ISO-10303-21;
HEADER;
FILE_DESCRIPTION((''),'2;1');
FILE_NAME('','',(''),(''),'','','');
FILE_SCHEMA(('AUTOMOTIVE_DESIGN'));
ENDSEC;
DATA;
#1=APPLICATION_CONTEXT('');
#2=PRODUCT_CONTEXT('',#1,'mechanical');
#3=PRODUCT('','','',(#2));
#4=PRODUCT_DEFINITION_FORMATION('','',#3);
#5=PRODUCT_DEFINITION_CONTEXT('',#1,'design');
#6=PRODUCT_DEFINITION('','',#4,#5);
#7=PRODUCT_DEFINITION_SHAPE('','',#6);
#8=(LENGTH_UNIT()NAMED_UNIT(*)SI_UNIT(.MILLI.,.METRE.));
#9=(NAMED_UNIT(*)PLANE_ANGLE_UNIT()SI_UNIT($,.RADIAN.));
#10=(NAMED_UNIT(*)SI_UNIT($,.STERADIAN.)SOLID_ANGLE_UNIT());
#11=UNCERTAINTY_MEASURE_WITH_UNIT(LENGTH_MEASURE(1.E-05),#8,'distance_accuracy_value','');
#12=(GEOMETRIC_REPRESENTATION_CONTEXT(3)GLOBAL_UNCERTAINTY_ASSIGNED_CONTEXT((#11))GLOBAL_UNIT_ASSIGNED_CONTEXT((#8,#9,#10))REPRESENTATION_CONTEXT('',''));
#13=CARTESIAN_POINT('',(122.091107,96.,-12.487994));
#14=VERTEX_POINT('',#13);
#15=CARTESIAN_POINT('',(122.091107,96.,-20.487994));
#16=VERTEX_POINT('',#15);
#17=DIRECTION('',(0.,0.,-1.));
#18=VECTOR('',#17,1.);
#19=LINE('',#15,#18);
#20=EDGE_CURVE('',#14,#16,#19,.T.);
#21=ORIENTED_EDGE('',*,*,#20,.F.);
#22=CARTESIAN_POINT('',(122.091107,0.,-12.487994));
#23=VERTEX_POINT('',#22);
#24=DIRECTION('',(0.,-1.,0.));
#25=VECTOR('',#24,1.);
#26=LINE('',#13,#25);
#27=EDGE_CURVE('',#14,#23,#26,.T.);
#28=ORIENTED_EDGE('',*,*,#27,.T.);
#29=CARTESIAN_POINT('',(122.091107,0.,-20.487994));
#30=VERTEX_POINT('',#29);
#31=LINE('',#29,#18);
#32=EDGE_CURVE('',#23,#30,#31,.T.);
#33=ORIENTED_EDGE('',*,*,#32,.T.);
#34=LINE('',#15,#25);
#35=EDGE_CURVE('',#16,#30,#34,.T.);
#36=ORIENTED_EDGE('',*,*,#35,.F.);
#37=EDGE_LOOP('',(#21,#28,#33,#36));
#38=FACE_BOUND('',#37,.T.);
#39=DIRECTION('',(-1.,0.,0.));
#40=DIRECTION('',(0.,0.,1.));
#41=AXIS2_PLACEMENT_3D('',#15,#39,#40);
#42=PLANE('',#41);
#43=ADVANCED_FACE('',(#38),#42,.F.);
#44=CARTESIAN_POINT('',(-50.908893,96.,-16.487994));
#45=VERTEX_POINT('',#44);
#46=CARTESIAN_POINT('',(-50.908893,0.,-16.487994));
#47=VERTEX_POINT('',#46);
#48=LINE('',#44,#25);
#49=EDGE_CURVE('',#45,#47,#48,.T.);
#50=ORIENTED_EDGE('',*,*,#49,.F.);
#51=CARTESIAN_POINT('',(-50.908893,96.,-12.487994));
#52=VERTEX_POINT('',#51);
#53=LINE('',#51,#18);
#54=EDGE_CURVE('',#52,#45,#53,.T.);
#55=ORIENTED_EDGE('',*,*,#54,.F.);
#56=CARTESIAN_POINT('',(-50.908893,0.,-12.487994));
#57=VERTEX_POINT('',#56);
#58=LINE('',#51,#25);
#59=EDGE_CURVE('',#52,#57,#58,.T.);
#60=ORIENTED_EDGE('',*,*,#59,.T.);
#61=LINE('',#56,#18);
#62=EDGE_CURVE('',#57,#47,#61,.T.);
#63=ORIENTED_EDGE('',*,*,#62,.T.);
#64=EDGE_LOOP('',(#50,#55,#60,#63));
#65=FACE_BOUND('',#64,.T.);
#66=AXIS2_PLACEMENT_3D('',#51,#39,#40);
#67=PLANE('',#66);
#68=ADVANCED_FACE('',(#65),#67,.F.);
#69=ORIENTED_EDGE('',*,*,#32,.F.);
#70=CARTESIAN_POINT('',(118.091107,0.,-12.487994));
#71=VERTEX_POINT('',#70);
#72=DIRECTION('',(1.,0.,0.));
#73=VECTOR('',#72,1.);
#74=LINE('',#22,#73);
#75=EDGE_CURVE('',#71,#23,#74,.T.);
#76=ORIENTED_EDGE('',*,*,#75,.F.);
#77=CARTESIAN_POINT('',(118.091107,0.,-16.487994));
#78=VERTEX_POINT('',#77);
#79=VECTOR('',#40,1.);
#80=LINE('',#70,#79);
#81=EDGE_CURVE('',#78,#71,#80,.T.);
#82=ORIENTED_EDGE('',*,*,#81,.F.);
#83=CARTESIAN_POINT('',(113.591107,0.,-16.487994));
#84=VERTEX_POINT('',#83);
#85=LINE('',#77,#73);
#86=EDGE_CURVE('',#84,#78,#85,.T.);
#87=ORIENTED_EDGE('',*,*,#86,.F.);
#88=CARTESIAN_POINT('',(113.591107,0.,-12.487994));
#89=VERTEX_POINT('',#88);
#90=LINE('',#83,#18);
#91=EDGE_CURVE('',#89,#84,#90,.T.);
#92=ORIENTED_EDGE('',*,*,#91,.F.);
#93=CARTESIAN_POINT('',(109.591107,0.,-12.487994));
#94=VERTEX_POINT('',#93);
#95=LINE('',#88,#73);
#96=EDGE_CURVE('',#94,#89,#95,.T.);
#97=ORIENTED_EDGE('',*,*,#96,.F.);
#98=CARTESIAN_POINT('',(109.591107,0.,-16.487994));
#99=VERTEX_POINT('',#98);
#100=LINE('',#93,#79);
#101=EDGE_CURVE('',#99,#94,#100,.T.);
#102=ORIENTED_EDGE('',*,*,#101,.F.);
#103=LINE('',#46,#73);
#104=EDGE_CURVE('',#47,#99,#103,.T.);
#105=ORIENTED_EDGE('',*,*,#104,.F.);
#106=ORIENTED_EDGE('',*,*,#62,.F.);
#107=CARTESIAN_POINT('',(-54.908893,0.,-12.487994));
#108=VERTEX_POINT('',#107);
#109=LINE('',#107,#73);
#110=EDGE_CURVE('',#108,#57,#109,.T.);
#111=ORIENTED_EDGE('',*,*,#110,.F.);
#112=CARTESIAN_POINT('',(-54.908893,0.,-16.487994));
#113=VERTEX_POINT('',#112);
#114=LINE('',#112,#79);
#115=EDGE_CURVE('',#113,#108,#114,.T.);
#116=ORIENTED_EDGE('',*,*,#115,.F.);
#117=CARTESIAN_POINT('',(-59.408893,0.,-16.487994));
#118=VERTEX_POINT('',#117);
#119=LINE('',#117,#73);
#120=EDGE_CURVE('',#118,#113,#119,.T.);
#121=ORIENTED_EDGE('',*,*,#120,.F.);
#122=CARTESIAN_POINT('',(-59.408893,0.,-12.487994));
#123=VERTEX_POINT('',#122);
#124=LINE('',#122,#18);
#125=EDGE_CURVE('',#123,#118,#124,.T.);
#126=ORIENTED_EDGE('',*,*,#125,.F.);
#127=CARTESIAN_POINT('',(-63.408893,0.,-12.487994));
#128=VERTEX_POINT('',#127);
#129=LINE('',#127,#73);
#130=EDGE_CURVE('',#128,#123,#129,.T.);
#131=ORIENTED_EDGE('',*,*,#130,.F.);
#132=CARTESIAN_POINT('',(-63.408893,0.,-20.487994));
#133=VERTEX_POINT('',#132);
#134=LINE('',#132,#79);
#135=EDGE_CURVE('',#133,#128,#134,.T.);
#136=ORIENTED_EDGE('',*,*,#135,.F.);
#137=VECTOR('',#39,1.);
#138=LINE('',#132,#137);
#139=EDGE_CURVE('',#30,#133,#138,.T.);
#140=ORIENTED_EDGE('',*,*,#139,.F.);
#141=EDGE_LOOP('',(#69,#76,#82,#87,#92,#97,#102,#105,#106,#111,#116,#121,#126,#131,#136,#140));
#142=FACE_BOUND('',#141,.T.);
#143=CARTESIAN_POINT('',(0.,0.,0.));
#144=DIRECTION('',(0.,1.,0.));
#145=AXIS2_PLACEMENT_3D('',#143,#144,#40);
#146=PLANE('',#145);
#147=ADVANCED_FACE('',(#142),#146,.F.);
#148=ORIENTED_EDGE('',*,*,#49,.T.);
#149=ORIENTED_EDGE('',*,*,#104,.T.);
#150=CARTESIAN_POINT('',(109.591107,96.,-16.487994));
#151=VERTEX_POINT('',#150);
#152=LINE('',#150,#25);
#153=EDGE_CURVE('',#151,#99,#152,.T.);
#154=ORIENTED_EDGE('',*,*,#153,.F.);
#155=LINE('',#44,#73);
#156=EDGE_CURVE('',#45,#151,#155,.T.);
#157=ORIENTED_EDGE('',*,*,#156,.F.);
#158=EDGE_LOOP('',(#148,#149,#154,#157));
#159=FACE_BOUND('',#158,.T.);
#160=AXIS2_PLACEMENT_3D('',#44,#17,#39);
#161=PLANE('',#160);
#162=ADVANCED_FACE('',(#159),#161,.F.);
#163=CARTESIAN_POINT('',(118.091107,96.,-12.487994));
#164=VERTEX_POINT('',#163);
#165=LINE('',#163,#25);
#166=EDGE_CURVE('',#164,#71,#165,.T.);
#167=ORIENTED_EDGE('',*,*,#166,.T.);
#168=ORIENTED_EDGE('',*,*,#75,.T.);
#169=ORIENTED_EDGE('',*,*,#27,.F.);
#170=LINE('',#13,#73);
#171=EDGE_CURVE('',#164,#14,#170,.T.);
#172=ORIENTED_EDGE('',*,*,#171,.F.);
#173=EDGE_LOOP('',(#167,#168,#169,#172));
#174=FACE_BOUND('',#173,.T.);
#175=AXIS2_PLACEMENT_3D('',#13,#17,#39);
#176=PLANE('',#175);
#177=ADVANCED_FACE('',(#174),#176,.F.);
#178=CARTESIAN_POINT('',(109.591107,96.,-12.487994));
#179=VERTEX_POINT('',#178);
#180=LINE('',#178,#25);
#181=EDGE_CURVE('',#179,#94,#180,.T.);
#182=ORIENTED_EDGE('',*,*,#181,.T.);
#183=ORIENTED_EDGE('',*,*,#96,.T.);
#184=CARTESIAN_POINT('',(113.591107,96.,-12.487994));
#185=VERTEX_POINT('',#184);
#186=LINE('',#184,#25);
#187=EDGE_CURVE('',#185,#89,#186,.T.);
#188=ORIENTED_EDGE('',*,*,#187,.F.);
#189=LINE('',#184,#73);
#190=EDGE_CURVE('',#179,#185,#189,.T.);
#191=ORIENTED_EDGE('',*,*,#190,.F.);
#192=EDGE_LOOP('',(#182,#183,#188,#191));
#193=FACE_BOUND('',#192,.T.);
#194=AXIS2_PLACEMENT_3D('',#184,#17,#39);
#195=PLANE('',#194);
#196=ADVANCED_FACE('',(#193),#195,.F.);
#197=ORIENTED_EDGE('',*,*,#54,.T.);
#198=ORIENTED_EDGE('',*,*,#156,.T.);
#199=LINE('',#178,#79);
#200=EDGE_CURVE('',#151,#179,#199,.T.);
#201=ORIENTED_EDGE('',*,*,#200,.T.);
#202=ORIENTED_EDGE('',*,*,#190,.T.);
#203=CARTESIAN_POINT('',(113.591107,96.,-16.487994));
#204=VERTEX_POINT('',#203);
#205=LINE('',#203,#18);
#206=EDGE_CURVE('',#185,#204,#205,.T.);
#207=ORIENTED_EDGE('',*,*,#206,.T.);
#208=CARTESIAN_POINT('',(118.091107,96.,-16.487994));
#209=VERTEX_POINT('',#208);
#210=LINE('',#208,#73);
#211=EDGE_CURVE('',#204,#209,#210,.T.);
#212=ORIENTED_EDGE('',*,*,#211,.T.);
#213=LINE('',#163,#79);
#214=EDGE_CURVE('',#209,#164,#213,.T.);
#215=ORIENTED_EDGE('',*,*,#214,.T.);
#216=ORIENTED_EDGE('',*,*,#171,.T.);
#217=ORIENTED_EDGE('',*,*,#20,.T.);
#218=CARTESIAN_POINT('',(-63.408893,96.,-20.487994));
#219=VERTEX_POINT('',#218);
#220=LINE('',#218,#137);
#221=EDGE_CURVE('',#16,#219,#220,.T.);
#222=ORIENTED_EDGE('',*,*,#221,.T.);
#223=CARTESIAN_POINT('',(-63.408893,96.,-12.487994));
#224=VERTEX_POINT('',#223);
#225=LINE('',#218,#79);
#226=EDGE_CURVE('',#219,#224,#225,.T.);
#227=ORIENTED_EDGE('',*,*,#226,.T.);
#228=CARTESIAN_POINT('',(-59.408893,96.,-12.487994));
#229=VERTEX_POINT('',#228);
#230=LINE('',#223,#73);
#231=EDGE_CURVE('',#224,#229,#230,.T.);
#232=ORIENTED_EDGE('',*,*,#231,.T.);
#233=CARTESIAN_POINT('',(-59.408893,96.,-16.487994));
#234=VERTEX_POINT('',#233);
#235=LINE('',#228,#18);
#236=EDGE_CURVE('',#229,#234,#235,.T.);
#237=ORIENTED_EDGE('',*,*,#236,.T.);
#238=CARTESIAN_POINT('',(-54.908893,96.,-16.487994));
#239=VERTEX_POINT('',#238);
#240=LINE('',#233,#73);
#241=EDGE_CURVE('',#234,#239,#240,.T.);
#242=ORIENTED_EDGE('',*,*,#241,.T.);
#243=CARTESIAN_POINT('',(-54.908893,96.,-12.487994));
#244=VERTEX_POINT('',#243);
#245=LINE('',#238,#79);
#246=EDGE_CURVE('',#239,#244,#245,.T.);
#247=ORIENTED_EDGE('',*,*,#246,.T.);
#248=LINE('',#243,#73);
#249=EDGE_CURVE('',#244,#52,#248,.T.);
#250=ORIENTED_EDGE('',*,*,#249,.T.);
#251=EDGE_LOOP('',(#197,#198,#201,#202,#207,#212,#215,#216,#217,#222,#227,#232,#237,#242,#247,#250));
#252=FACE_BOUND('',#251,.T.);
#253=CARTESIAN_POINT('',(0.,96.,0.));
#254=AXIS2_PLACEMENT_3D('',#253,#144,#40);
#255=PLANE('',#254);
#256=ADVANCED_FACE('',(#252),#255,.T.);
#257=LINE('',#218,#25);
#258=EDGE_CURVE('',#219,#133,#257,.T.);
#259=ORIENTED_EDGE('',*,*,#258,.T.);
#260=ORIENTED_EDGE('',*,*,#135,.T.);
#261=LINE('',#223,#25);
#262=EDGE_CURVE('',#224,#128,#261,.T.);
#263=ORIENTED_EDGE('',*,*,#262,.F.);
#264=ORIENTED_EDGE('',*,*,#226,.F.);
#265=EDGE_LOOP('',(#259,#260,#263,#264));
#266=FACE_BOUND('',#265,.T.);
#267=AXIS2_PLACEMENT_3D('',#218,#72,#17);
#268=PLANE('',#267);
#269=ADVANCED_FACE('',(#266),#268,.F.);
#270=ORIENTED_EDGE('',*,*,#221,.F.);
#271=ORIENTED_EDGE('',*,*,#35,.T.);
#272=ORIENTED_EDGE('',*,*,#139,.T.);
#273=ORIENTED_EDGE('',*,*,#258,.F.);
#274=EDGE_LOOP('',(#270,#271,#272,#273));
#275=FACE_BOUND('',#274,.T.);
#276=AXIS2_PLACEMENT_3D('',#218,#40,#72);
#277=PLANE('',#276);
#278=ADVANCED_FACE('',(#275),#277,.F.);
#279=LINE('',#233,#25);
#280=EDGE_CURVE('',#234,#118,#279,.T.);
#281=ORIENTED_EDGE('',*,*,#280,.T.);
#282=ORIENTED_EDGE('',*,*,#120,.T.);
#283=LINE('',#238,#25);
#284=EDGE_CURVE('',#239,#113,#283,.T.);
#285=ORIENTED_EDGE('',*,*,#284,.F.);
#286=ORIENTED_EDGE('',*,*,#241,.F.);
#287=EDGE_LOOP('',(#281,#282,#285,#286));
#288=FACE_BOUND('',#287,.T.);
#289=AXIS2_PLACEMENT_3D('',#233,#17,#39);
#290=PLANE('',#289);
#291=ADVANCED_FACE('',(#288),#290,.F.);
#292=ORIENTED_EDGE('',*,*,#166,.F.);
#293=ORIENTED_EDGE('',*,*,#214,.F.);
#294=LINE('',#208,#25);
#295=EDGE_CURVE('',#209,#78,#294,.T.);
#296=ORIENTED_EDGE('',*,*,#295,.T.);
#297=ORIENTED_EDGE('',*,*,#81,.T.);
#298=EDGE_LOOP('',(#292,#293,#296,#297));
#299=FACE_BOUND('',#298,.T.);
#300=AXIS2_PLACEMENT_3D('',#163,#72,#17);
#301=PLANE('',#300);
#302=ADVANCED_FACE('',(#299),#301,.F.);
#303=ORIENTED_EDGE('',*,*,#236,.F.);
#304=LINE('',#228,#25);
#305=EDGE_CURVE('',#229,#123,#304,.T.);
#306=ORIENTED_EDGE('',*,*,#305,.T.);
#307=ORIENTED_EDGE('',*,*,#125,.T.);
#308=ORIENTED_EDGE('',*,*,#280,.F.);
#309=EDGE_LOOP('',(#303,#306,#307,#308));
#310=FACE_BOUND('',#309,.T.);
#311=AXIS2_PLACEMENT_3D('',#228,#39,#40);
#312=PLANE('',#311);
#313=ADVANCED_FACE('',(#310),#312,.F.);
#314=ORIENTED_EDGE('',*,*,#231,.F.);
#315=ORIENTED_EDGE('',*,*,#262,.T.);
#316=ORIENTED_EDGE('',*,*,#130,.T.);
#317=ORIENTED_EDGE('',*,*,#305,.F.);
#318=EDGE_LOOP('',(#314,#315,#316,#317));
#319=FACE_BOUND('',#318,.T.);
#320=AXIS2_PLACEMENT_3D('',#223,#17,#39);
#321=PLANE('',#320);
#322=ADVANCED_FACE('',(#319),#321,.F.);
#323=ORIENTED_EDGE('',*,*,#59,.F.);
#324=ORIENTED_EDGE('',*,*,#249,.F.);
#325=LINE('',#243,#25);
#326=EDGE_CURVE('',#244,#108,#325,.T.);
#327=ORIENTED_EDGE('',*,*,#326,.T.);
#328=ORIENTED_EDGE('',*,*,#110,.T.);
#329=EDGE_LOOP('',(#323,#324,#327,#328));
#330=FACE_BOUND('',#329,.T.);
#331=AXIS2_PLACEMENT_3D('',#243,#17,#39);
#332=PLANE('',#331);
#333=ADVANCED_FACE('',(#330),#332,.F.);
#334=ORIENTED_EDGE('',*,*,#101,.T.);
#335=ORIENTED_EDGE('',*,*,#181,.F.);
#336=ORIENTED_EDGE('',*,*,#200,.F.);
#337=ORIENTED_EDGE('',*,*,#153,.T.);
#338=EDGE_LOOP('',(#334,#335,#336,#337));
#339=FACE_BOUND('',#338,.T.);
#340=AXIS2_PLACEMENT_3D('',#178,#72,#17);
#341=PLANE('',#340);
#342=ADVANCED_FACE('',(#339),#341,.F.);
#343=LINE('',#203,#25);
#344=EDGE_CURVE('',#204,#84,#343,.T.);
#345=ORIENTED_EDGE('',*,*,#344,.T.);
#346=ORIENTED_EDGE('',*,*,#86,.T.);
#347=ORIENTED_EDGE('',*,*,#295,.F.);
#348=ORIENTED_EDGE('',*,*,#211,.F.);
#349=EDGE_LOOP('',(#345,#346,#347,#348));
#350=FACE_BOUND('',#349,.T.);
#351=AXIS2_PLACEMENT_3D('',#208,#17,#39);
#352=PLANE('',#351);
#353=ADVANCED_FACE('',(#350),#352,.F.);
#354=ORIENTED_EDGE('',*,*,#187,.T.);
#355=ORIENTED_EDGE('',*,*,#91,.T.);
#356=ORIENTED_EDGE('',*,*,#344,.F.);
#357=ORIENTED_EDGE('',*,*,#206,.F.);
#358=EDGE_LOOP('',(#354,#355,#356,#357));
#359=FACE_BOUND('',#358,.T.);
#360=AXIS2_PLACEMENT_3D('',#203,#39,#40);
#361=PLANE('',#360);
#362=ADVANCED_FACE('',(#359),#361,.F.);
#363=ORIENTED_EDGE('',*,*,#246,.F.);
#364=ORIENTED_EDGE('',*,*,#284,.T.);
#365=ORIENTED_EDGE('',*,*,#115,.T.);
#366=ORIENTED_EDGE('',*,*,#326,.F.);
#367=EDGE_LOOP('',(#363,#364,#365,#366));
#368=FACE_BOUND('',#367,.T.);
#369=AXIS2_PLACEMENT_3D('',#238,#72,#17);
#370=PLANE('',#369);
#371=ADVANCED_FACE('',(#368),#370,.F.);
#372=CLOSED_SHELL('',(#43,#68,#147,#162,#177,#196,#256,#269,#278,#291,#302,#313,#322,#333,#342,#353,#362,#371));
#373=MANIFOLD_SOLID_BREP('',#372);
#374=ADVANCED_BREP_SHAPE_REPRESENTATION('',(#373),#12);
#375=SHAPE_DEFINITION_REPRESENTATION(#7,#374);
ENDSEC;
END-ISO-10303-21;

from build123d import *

# Parameters (mm, degrees)
BOSS_EXTRUDE1_DEPTH = 96


with BuildPart() as part:
    # Sketch1 → Boss-Extrude1 (new body)
    with BuildSketch(Plane(origin=(0, 0, 0), x_dir=(1, 0, 0), z_dir=(0, 1, 0))):
        Polygon((-63.408892702, 20.487993735), (122.091107298, 20.487993735), (122.091107298, 12.487993735), (118.091107298, 12.487993735), (118.091107298, 16.487993735), (113.591107298, 16.487993735), (113.591107298, 12.487993735), (109.591107298, 12.487993735), (109.591107298, 16.487993735), (-50.908892702, 16.487993735), (-50.908892702, 12.487993735), (-54.908892702, 12.487993735), (-54.908892702, 16.487993735), (-59.408892702, 16.487993735), (-59.408892702, 12.487993735), (-63.408892702, 12.487993735), align=None)
    extrude(amount=BOSS_EXTRUDE1_DEPTH)


solid = part.part
